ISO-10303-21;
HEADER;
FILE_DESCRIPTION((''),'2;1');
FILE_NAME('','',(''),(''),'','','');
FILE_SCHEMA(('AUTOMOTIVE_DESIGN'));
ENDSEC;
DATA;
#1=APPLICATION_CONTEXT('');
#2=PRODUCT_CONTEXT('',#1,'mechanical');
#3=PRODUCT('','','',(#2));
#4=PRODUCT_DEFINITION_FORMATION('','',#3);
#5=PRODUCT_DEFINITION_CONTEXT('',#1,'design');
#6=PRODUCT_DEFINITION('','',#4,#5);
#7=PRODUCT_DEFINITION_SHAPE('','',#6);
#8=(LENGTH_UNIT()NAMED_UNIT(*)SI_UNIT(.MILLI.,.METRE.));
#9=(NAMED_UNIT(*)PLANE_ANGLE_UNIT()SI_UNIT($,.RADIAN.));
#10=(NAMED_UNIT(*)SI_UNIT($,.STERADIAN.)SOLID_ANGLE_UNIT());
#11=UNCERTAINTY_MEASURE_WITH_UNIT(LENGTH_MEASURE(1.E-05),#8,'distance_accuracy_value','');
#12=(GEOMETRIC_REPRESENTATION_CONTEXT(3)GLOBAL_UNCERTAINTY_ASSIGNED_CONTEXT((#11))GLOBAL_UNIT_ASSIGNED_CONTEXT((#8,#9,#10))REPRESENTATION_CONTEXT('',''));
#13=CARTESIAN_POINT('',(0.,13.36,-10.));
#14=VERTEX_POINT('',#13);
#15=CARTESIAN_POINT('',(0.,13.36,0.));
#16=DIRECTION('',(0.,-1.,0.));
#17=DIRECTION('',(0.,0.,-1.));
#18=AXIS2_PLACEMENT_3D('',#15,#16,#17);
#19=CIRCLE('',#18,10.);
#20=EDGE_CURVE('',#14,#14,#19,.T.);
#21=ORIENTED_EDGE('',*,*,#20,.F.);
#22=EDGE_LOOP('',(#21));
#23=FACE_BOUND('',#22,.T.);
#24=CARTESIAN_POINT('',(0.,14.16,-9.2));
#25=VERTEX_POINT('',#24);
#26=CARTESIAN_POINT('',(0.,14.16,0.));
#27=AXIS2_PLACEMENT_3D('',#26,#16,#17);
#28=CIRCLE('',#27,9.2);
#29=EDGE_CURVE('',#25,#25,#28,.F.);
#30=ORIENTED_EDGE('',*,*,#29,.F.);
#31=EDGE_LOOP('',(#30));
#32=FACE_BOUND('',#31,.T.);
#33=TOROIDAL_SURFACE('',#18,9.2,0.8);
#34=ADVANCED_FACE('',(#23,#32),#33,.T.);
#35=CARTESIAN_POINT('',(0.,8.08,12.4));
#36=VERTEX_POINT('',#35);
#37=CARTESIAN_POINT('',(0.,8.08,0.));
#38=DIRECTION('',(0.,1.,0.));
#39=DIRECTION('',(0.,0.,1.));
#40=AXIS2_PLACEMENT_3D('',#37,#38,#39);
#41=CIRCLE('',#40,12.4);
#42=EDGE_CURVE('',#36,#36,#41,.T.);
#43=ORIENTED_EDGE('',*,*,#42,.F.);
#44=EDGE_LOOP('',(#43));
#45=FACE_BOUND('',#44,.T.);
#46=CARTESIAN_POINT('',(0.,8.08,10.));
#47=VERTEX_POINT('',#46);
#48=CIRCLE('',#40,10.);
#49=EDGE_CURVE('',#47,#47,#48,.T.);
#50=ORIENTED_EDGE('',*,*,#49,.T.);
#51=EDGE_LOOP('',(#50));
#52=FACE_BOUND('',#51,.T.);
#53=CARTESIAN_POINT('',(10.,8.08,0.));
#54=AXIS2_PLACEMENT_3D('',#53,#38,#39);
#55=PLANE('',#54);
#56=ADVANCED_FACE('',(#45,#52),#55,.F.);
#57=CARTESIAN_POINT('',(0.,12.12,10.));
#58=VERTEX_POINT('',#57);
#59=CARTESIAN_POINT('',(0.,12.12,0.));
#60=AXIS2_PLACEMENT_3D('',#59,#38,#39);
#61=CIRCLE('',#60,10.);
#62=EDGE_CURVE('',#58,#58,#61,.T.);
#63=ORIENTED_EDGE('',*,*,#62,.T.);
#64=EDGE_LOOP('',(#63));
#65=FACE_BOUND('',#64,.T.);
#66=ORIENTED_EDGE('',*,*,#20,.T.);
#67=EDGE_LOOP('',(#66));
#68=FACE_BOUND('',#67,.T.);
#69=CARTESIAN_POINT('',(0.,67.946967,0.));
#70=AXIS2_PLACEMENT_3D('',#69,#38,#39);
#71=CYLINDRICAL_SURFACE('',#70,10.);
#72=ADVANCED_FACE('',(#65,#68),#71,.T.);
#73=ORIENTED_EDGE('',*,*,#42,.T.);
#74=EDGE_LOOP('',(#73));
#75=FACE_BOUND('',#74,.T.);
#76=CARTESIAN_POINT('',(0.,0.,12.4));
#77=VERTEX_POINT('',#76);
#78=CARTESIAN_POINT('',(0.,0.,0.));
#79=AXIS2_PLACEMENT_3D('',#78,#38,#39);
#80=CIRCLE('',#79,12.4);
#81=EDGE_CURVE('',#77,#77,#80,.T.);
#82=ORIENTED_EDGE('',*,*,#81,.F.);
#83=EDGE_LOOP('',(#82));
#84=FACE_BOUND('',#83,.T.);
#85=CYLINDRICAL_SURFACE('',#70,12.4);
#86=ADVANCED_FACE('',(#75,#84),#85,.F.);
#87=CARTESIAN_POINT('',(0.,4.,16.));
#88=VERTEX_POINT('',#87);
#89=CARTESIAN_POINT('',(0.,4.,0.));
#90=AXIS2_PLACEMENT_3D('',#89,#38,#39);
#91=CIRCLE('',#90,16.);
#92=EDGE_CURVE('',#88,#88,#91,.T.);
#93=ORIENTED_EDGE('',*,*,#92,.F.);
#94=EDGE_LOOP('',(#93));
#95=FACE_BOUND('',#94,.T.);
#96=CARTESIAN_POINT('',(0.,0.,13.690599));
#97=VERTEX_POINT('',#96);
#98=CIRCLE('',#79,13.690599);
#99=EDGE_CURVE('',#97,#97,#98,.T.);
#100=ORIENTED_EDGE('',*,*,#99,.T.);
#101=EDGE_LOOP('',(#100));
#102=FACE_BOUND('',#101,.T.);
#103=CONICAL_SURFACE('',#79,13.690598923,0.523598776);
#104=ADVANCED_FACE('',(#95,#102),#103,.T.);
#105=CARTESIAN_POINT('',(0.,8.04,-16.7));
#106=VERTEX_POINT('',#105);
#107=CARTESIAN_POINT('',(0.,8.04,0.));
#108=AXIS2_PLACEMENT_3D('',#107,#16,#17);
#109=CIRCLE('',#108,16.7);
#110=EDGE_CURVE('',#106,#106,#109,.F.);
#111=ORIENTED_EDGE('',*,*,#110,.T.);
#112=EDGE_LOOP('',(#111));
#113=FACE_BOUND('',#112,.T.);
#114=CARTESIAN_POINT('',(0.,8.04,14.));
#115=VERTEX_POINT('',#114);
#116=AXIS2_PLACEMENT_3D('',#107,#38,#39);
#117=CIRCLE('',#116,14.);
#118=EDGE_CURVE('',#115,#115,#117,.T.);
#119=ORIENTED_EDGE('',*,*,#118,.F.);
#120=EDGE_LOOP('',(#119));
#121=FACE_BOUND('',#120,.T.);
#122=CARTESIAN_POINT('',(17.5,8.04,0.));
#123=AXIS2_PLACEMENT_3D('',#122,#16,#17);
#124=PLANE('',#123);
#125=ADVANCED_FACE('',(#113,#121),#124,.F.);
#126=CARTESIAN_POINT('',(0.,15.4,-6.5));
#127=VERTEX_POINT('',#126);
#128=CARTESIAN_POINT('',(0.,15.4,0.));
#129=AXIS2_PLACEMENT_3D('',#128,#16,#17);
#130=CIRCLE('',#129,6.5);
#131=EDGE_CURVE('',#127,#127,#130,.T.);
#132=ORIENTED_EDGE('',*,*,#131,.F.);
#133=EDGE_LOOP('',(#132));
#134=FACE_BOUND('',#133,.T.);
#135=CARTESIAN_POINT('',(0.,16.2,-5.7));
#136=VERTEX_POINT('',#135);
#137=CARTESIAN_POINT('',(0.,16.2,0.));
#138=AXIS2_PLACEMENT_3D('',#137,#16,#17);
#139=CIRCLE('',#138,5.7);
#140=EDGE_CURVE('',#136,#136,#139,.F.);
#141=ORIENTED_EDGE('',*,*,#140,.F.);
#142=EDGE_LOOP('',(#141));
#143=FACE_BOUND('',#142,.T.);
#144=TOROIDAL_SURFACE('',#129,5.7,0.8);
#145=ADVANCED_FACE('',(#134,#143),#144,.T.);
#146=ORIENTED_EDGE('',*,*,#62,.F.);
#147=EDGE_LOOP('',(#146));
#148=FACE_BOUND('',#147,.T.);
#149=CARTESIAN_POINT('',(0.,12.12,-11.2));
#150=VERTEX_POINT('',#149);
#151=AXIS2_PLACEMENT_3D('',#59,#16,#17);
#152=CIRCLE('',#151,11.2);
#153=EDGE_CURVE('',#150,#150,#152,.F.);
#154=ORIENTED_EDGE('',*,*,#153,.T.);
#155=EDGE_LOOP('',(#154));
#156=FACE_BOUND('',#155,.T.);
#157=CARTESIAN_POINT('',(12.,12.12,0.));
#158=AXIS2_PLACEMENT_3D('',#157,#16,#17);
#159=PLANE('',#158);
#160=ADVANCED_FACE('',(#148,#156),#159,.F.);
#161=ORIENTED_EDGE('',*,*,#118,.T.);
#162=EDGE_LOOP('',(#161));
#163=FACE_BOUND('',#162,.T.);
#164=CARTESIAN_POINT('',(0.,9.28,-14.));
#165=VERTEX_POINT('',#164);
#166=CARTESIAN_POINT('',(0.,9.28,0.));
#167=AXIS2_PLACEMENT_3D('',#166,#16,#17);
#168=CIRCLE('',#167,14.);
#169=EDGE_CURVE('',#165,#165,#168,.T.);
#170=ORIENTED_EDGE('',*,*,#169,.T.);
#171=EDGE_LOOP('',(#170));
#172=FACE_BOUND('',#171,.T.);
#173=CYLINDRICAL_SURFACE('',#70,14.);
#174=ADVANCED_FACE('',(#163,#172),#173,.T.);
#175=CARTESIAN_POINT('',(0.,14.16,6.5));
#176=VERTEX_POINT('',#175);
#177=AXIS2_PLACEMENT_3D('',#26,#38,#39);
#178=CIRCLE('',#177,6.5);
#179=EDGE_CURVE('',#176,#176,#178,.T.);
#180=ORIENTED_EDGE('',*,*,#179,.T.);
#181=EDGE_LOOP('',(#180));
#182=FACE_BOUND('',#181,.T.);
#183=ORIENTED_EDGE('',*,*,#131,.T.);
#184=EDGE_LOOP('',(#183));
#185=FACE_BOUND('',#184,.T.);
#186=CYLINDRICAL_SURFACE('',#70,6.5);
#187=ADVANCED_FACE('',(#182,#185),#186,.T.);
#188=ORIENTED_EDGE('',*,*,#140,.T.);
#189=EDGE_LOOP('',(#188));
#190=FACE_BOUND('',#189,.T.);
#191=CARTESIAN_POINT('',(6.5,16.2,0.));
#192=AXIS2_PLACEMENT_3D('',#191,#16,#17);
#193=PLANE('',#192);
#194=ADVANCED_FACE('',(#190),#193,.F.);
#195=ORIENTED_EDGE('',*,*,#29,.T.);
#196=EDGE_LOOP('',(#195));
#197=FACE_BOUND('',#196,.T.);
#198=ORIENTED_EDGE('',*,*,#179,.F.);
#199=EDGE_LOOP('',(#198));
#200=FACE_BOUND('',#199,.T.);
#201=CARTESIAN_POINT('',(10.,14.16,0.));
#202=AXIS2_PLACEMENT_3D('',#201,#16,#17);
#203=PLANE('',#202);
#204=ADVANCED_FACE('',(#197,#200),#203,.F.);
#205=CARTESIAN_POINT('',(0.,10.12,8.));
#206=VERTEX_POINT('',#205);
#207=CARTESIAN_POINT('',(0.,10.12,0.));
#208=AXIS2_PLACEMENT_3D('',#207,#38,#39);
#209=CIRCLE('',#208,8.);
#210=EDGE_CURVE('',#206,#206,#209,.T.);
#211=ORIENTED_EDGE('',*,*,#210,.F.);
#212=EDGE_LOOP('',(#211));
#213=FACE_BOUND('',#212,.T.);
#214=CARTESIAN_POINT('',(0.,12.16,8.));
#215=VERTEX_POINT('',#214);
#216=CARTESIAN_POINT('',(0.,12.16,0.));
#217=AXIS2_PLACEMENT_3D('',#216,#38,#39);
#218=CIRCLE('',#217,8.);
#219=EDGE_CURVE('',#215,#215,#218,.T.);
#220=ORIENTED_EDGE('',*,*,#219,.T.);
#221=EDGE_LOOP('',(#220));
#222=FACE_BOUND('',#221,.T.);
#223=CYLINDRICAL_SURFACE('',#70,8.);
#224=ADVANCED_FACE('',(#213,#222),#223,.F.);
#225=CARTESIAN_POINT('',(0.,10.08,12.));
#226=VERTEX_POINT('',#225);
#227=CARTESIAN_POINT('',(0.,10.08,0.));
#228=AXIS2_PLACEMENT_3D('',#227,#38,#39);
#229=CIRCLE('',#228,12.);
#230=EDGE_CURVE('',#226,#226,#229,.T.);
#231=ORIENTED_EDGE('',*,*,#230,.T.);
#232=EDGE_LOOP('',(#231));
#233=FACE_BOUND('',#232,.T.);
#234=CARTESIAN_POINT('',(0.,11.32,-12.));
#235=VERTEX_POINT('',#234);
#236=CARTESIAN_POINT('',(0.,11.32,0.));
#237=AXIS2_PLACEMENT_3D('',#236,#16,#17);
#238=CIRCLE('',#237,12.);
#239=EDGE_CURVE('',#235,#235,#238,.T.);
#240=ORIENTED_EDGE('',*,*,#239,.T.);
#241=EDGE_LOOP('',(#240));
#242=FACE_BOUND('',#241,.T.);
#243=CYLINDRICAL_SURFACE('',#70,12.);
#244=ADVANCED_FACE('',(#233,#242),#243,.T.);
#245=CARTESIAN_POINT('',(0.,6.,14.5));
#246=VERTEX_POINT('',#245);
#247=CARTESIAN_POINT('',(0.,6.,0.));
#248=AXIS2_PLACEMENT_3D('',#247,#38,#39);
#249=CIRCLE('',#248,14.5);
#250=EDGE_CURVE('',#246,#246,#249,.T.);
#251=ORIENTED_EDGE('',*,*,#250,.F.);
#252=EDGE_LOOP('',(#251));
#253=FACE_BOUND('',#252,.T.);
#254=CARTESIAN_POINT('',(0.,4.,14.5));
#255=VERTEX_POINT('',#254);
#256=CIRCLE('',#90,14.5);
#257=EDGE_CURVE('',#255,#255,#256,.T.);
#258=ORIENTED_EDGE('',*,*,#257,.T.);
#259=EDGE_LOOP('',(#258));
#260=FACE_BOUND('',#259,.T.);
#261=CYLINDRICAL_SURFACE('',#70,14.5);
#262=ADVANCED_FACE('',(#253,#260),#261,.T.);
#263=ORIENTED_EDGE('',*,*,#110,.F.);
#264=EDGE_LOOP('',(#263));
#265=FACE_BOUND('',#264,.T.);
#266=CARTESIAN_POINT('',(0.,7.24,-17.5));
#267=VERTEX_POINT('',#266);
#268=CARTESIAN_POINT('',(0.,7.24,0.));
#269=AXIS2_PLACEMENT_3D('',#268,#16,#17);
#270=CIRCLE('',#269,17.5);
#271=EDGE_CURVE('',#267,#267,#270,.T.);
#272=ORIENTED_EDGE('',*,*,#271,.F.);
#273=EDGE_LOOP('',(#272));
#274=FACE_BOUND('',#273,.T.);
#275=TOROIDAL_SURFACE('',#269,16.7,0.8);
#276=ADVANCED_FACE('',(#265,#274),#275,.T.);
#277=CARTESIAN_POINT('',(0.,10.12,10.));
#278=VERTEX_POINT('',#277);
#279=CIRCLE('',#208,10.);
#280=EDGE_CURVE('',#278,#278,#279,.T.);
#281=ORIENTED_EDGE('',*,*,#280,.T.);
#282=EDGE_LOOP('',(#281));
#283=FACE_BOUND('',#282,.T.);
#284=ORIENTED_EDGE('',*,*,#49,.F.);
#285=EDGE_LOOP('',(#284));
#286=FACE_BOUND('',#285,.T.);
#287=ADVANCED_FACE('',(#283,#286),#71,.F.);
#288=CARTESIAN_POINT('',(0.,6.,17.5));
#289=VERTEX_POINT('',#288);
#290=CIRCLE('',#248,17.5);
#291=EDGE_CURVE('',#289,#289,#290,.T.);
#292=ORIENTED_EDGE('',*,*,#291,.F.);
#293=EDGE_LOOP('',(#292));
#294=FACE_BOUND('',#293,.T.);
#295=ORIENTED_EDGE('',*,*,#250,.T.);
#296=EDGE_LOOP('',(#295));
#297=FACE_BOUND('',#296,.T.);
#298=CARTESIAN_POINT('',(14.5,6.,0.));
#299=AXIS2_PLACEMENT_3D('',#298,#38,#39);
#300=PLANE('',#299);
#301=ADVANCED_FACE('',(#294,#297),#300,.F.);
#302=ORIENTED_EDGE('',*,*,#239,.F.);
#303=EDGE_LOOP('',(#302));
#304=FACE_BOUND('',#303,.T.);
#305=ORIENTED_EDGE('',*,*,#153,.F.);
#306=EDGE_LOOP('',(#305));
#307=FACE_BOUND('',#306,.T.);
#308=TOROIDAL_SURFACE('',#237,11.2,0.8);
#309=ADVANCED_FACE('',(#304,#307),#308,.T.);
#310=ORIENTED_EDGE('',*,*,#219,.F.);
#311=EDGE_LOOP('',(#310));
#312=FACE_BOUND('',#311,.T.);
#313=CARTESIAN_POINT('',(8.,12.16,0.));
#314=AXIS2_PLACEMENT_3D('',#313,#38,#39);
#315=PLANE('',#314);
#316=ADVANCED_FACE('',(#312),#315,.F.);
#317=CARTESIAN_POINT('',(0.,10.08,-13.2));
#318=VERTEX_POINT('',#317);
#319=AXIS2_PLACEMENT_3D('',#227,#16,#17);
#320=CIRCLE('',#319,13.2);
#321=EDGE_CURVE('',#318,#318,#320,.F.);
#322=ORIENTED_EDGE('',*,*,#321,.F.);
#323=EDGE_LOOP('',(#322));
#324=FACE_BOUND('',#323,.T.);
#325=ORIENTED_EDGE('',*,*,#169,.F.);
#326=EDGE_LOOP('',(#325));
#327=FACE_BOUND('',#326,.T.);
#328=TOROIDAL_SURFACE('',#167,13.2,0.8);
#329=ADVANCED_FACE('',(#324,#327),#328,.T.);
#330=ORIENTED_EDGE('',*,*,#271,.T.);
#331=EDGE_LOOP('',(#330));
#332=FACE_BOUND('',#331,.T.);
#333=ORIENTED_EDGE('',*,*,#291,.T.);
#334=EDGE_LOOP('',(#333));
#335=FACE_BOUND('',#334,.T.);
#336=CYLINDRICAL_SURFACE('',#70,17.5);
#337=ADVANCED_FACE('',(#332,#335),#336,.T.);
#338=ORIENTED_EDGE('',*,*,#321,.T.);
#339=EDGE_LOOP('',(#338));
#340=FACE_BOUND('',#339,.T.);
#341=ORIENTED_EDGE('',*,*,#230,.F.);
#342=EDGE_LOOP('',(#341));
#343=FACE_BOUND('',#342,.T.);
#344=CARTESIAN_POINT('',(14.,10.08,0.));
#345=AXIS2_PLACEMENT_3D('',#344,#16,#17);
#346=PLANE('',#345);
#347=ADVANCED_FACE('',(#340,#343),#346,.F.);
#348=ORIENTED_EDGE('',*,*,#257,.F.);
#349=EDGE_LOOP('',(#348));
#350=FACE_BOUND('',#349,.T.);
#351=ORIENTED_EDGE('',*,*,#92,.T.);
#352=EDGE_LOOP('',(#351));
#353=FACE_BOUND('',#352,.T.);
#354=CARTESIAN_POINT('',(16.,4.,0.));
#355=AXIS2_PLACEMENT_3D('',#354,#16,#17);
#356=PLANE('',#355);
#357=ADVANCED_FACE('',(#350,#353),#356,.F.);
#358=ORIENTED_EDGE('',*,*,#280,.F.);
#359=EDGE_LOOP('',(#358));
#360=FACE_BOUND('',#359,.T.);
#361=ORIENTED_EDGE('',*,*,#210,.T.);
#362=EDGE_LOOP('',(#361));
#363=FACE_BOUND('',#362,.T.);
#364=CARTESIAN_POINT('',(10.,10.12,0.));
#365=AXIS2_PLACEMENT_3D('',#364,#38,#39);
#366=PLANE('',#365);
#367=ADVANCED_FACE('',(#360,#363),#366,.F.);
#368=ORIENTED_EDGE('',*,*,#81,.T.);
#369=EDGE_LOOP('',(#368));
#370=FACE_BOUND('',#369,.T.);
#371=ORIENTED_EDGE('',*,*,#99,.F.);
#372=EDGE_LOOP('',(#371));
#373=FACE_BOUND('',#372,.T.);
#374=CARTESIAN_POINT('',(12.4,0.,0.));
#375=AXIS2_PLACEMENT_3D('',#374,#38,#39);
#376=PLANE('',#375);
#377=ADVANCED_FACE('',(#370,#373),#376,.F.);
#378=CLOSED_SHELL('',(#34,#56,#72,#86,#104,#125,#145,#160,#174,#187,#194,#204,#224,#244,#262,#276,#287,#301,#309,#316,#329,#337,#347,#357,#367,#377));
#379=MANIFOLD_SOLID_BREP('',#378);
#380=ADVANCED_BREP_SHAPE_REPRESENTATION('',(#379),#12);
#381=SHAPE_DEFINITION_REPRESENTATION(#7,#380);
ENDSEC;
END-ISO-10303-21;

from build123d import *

# Parameters (mm, degrees)
FILLET1_R = 0.8


with BuildPart() as part:
    # Sketch1 → Revolve1 (revolve)
    with BuildSketch(Plane.XY, mode=Mode.PRIVATE) as revolve1_sk:
        Polygon((12.4, 0), (13.690598923, 0), (16, 4), (14.5, 4), (14.5, 6), (17.5, 6), (17.5, 8.04), (14, 8.04), (14, 10.08), (12, 10.08), (12, 12.12), (10, 12.12), (10, 14.16), (6.5, 14.16), (6.5, 16.2), (0, 16.2), (0, 12.16), (8, 12.16), (8, 10.12), (10, 10.12), (10, 8.08), (12.4, 8.08), align=None)
    revolve(revolve1_sk.sketch.rotate(Axis((0, 67.946967249, 0), (0, -1, 0)), 90), axis=Axis((0, 67.946967249, 0), (0, -1, 0)))

    # Fillet1
    fillet1_edges = [part.edges().sort_by_distance(p)[0] for p in [
        (0, 8.04, -17.5),
        (0, 10.08, -14),
        (0, 12.12, -12),
        (0, 14.16, -10),
        (0, 16.2, -6.5),
    ]]
    fillet(fillet1_edges, radius=FILLET1_R)


solid = part.part
